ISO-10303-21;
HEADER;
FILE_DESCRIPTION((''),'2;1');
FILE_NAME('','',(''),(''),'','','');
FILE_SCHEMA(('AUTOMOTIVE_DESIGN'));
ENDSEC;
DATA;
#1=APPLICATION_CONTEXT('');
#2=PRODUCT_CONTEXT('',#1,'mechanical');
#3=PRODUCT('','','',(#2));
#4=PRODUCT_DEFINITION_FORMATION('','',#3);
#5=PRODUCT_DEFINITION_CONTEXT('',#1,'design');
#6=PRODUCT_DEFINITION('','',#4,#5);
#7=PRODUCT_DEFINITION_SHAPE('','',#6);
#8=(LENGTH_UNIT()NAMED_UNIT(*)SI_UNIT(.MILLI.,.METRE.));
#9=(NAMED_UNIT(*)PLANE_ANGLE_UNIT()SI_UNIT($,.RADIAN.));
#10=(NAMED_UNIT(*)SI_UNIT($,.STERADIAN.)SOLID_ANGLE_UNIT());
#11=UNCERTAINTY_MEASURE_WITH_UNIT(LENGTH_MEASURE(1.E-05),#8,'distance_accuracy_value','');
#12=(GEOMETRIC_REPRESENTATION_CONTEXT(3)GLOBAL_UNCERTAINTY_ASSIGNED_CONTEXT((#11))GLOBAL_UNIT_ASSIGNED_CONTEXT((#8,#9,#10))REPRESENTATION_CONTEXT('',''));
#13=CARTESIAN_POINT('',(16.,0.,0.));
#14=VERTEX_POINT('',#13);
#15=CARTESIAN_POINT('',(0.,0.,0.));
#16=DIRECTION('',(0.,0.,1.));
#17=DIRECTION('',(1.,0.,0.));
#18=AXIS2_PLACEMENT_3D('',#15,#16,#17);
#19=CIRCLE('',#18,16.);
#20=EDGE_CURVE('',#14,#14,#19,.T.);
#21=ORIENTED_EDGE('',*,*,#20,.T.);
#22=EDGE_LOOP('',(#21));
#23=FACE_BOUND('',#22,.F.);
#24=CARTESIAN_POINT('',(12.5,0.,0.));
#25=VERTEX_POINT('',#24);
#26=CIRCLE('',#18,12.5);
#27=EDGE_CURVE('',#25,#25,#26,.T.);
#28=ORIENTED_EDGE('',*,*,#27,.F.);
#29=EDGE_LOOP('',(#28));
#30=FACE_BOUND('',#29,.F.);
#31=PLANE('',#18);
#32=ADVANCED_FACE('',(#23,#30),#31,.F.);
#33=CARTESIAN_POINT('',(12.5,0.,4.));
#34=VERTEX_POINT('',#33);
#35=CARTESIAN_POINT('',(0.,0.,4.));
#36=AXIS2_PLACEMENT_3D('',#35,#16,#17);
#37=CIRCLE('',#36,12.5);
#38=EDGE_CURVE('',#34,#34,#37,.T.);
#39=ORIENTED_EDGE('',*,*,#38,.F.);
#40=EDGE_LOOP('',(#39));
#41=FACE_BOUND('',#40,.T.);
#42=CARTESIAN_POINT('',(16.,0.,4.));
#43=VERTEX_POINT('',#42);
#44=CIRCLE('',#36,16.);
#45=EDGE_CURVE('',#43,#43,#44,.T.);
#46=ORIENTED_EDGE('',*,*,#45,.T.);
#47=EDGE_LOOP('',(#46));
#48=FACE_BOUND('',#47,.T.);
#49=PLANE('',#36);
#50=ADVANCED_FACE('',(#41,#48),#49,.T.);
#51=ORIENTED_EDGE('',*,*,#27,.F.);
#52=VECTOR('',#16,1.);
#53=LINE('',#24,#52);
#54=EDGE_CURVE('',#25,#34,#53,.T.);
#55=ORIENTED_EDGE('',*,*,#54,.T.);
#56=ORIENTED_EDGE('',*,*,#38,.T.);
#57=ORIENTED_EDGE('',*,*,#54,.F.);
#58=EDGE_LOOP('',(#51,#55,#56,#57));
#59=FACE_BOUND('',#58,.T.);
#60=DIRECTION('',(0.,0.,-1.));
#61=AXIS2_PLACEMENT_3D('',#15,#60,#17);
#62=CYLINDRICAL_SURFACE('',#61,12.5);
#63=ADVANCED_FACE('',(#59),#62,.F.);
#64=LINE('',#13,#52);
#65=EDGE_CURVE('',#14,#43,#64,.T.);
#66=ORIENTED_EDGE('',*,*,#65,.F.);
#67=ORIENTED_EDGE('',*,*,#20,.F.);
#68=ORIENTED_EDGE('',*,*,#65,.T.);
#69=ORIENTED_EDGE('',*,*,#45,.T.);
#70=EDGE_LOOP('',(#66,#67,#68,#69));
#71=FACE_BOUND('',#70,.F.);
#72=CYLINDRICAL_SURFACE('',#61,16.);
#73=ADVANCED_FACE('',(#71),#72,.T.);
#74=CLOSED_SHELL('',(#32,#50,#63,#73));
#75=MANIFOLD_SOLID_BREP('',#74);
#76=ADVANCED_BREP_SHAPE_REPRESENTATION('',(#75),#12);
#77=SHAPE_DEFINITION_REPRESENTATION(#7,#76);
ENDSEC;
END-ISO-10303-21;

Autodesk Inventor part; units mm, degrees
ref_plane "YZ Plane" through (0, 0, 0) normal (1, 0, 0) x (0, 1, 0)
ref_plane "XZ Plane" through (0, 0, 0) normal (0, 1, 0) x (-1, 0, 0)
ref_plane "XY Plane" through (0, 0, 0) normal (0, 0, 1) x (1, 0, 0)
sketch "Sketch1" plane through (0, 0, 0) normal (0, 0, 1) x (1, 0, 0)
  circle A0 centre (0, 0) radius 12.5
  circle A1 centre (0, 0) radius 16
  dimension "d0" = 25
  dimension "d1" = 32
extrude "Extrusion1" add sketch "Sketch1" along normal blind 4
properties part number "roulement  25 32 4"
